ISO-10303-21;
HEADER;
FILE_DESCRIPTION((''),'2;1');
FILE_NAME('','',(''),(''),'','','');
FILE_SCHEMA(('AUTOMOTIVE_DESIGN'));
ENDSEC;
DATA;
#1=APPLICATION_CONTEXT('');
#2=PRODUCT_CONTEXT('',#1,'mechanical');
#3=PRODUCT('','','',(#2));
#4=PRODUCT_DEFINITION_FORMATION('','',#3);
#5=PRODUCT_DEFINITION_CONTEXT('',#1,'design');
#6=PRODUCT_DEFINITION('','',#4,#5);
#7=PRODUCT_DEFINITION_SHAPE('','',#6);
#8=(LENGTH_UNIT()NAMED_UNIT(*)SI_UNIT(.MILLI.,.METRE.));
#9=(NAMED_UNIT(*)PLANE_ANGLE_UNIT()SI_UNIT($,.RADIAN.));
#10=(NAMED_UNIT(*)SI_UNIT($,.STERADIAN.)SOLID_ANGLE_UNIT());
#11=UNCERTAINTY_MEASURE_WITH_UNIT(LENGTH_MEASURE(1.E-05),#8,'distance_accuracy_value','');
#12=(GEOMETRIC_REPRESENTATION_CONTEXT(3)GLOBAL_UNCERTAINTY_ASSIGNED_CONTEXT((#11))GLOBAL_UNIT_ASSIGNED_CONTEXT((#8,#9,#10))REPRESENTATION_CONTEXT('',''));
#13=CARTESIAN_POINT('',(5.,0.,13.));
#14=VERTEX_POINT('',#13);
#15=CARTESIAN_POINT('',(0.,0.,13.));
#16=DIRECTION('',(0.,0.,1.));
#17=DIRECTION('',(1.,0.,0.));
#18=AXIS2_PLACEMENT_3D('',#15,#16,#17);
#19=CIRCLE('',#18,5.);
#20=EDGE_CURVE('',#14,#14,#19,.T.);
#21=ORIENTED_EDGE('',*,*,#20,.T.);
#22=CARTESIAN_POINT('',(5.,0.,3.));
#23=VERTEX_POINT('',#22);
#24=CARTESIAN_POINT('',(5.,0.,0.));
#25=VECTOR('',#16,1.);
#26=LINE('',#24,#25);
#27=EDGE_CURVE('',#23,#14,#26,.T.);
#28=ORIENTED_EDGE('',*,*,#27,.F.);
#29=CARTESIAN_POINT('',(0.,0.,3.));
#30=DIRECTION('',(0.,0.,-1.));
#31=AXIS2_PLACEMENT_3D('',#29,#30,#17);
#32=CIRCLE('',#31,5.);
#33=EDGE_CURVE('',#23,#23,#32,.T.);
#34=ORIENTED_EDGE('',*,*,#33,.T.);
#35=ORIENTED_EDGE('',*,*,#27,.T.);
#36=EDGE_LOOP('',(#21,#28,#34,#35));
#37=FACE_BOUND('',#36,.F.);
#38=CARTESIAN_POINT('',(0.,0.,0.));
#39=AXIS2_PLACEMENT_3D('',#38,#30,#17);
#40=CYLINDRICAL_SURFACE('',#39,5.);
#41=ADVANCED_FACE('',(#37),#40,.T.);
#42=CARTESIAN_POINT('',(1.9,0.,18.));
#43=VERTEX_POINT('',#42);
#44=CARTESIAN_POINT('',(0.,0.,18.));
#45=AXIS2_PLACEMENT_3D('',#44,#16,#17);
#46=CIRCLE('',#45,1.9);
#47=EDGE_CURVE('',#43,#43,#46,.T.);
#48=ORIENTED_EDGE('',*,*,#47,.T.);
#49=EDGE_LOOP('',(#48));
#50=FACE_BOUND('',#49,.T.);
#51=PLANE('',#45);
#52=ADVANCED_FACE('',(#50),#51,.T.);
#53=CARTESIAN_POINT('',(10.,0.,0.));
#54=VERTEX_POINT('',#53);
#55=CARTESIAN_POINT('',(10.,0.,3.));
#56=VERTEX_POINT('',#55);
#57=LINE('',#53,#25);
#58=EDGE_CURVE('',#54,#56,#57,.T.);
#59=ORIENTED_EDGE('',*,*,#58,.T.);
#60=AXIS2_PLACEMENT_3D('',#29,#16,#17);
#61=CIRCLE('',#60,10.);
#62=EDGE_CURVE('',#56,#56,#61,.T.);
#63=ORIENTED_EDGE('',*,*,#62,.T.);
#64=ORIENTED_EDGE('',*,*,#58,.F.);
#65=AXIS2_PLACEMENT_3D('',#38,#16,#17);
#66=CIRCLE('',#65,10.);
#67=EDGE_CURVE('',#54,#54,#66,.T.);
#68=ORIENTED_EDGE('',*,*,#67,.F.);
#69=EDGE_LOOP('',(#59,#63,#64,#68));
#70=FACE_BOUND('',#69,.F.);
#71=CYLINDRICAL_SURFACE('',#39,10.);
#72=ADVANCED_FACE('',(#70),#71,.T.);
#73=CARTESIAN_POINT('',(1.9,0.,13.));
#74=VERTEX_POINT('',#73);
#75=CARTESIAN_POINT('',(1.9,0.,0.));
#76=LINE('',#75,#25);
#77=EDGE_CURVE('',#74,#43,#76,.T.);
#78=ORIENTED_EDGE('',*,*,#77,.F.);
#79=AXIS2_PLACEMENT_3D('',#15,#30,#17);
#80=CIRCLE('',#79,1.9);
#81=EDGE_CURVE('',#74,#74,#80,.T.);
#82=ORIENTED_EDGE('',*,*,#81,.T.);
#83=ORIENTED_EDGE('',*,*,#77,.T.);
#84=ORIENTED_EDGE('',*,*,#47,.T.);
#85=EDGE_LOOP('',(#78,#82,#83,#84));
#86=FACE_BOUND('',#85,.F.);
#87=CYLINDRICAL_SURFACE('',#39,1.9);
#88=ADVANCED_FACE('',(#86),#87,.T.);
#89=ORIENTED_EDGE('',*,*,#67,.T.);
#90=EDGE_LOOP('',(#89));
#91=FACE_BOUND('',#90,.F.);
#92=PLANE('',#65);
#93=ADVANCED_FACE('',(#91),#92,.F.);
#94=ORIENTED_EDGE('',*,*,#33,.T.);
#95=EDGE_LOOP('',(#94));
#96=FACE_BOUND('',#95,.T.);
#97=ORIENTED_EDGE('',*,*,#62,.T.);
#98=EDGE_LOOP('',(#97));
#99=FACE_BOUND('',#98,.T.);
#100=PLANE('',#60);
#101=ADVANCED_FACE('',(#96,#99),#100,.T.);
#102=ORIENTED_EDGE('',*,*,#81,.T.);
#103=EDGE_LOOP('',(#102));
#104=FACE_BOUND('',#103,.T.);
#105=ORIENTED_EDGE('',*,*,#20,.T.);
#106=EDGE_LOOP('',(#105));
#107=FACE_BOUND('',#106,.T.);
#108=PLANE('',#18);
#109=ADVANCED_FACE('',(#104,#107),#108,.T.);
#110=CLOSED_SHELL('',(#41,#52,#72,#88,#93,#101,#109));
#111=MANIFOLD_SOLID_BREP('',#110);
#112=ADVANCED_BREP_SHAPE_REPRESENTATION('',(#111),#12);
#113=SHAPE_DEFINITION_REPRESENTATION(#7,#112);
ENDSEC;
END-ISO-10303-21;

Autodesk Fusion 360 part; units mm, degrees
sketch "Sketch1" plane through (0, 0, 0) normal (0, 0, 1) x (1, 0, 0)
  circle A0 centre (0, 0) radius 10
  circle A1 centre (0, 0) radius 5
  circle A2 centre (0, 0) radius 1.9
  dimension "d1" = 20
  dimension "d2" = 10
  dimension "d3" = 3.8
extrude "Extrude1" add sketch "Sketch1" along normal blind 3 contours A0 | A1 | A2
extrude "Extrude2" add sketch "Sketch1" along normal blind 13 contours A1 | A2
extrude "Extrude3" add sketch "Sketch1" along normal blind 18 contours A2
